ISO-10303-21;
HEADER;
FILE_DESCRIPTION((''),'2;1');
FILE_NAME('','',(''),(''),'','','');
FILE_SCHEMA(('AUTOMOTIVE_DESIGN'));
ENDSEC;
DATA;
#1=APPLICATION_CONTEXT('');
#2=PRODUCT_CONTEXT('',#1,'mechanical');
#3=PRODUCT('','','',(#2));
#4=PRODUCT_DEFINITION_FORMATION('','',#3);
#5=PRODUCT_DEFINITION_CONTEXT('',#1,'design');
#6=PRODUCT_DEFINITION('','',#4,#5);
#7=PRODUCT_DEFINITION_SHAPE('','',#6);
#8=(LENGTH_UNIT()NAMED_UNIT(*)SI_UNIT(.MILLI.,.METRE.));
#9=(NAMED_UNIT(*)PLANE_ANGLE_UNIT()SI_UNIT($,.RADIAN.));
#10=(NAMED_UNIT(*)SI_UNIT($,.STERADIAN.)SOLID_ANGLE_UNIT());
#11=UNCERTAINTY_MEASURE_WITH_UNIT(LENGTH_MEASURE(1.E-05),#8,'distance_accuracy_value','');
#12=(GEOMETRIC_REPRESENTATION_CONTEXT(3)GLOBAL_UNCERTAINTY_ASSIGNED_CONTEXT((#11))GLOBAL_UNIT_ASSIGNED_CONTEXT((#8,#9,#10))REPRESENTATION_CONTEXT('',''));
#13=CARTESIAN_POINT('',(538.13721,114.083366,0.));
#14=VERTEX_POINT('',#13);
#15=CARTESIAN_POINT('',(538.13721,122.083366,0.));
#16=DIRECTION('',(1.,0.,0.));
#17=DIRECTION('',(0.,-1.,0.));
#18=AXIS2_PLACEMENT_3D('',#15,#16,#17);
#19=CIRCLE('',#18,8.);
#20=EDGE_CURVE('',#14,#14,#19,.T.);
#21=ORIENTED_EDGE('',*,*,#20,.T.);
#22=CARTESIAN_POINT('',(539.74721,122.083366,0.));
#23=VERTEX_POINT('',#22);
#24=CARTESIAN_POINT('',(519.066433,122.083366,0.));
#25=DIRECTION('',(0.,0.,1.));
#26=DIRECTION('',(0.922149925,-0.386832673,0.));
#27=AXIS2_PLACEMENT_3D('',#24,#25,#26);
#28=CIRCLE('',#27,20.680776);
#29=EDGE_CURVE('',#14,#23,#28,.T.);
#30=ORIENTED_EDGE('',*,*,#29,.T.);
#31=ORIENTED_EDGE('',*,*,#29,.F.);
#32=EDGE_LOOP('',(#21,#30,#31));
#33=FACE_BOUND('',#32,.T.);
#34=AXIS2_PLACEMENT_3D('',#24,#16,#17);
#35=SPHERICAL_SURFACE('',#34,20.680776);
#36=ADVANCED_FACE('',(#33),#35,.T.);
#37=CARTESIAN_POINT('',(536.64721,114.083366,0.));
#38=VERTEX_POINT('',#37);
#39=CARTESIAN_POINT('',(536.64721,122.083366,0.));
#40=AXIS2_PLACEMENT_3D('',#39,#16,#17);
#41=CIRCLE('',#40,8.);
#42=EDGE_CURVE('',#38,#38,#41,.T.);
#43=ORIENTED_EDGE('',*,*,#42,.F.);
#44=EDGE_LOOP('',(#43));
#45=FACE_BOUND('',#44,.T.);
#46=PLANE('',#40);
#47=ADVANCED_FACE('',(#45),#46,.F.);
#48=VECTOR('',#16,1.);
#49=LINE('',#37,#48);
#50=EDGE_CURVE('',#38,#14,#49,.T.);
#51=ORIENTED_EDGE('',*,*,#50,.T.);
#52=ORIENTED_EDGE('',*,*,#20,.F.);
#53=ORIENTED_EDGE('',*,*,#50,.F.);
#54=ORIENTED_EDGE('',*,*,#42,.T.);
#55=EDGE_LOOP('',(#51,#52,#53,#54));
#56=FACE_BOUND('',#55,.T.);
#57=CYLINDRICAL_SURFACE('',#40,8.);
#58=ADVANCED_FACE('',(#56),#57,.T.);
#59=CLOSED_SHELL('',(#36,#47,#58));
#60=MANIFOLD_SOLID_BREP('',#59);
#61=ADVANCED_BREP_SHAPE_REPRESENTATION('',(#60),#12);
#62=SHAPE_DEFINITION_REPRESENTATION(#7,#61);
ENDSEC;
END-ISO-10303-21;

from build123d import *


with BuildPart() as part:
    # 草图1 → 旋转1 (revolve)
    with BuildSketch(Plane.XY, mode=Mode.PRIVATE) as revolve_1_sk:
        with BuildLine():
            Line((536.647209636, 122.083366166), (536.647209636, 130.083366166))
            Line((536.647209636, 130.083366166), (538.137209636, 130.083366166))
            ThreePointArc((538.137209636, 130.083366166), (539.340714667, 126.163565303), (539.747209636, 122.083366166))
            Line((539.747209636, 122.083366166), (536.647209636, 122.083366166))
        make_face()
    revolve(revolve_1_sk.sketch.rotate(Axis((534.724392932, 122.083366166, 0), (1, 0, 0)), 180), axis=Axis((534.724392932, 122.083366166, 0), (1, 0, 0)))  # turned: the seam where the file's is


solid = part.part
